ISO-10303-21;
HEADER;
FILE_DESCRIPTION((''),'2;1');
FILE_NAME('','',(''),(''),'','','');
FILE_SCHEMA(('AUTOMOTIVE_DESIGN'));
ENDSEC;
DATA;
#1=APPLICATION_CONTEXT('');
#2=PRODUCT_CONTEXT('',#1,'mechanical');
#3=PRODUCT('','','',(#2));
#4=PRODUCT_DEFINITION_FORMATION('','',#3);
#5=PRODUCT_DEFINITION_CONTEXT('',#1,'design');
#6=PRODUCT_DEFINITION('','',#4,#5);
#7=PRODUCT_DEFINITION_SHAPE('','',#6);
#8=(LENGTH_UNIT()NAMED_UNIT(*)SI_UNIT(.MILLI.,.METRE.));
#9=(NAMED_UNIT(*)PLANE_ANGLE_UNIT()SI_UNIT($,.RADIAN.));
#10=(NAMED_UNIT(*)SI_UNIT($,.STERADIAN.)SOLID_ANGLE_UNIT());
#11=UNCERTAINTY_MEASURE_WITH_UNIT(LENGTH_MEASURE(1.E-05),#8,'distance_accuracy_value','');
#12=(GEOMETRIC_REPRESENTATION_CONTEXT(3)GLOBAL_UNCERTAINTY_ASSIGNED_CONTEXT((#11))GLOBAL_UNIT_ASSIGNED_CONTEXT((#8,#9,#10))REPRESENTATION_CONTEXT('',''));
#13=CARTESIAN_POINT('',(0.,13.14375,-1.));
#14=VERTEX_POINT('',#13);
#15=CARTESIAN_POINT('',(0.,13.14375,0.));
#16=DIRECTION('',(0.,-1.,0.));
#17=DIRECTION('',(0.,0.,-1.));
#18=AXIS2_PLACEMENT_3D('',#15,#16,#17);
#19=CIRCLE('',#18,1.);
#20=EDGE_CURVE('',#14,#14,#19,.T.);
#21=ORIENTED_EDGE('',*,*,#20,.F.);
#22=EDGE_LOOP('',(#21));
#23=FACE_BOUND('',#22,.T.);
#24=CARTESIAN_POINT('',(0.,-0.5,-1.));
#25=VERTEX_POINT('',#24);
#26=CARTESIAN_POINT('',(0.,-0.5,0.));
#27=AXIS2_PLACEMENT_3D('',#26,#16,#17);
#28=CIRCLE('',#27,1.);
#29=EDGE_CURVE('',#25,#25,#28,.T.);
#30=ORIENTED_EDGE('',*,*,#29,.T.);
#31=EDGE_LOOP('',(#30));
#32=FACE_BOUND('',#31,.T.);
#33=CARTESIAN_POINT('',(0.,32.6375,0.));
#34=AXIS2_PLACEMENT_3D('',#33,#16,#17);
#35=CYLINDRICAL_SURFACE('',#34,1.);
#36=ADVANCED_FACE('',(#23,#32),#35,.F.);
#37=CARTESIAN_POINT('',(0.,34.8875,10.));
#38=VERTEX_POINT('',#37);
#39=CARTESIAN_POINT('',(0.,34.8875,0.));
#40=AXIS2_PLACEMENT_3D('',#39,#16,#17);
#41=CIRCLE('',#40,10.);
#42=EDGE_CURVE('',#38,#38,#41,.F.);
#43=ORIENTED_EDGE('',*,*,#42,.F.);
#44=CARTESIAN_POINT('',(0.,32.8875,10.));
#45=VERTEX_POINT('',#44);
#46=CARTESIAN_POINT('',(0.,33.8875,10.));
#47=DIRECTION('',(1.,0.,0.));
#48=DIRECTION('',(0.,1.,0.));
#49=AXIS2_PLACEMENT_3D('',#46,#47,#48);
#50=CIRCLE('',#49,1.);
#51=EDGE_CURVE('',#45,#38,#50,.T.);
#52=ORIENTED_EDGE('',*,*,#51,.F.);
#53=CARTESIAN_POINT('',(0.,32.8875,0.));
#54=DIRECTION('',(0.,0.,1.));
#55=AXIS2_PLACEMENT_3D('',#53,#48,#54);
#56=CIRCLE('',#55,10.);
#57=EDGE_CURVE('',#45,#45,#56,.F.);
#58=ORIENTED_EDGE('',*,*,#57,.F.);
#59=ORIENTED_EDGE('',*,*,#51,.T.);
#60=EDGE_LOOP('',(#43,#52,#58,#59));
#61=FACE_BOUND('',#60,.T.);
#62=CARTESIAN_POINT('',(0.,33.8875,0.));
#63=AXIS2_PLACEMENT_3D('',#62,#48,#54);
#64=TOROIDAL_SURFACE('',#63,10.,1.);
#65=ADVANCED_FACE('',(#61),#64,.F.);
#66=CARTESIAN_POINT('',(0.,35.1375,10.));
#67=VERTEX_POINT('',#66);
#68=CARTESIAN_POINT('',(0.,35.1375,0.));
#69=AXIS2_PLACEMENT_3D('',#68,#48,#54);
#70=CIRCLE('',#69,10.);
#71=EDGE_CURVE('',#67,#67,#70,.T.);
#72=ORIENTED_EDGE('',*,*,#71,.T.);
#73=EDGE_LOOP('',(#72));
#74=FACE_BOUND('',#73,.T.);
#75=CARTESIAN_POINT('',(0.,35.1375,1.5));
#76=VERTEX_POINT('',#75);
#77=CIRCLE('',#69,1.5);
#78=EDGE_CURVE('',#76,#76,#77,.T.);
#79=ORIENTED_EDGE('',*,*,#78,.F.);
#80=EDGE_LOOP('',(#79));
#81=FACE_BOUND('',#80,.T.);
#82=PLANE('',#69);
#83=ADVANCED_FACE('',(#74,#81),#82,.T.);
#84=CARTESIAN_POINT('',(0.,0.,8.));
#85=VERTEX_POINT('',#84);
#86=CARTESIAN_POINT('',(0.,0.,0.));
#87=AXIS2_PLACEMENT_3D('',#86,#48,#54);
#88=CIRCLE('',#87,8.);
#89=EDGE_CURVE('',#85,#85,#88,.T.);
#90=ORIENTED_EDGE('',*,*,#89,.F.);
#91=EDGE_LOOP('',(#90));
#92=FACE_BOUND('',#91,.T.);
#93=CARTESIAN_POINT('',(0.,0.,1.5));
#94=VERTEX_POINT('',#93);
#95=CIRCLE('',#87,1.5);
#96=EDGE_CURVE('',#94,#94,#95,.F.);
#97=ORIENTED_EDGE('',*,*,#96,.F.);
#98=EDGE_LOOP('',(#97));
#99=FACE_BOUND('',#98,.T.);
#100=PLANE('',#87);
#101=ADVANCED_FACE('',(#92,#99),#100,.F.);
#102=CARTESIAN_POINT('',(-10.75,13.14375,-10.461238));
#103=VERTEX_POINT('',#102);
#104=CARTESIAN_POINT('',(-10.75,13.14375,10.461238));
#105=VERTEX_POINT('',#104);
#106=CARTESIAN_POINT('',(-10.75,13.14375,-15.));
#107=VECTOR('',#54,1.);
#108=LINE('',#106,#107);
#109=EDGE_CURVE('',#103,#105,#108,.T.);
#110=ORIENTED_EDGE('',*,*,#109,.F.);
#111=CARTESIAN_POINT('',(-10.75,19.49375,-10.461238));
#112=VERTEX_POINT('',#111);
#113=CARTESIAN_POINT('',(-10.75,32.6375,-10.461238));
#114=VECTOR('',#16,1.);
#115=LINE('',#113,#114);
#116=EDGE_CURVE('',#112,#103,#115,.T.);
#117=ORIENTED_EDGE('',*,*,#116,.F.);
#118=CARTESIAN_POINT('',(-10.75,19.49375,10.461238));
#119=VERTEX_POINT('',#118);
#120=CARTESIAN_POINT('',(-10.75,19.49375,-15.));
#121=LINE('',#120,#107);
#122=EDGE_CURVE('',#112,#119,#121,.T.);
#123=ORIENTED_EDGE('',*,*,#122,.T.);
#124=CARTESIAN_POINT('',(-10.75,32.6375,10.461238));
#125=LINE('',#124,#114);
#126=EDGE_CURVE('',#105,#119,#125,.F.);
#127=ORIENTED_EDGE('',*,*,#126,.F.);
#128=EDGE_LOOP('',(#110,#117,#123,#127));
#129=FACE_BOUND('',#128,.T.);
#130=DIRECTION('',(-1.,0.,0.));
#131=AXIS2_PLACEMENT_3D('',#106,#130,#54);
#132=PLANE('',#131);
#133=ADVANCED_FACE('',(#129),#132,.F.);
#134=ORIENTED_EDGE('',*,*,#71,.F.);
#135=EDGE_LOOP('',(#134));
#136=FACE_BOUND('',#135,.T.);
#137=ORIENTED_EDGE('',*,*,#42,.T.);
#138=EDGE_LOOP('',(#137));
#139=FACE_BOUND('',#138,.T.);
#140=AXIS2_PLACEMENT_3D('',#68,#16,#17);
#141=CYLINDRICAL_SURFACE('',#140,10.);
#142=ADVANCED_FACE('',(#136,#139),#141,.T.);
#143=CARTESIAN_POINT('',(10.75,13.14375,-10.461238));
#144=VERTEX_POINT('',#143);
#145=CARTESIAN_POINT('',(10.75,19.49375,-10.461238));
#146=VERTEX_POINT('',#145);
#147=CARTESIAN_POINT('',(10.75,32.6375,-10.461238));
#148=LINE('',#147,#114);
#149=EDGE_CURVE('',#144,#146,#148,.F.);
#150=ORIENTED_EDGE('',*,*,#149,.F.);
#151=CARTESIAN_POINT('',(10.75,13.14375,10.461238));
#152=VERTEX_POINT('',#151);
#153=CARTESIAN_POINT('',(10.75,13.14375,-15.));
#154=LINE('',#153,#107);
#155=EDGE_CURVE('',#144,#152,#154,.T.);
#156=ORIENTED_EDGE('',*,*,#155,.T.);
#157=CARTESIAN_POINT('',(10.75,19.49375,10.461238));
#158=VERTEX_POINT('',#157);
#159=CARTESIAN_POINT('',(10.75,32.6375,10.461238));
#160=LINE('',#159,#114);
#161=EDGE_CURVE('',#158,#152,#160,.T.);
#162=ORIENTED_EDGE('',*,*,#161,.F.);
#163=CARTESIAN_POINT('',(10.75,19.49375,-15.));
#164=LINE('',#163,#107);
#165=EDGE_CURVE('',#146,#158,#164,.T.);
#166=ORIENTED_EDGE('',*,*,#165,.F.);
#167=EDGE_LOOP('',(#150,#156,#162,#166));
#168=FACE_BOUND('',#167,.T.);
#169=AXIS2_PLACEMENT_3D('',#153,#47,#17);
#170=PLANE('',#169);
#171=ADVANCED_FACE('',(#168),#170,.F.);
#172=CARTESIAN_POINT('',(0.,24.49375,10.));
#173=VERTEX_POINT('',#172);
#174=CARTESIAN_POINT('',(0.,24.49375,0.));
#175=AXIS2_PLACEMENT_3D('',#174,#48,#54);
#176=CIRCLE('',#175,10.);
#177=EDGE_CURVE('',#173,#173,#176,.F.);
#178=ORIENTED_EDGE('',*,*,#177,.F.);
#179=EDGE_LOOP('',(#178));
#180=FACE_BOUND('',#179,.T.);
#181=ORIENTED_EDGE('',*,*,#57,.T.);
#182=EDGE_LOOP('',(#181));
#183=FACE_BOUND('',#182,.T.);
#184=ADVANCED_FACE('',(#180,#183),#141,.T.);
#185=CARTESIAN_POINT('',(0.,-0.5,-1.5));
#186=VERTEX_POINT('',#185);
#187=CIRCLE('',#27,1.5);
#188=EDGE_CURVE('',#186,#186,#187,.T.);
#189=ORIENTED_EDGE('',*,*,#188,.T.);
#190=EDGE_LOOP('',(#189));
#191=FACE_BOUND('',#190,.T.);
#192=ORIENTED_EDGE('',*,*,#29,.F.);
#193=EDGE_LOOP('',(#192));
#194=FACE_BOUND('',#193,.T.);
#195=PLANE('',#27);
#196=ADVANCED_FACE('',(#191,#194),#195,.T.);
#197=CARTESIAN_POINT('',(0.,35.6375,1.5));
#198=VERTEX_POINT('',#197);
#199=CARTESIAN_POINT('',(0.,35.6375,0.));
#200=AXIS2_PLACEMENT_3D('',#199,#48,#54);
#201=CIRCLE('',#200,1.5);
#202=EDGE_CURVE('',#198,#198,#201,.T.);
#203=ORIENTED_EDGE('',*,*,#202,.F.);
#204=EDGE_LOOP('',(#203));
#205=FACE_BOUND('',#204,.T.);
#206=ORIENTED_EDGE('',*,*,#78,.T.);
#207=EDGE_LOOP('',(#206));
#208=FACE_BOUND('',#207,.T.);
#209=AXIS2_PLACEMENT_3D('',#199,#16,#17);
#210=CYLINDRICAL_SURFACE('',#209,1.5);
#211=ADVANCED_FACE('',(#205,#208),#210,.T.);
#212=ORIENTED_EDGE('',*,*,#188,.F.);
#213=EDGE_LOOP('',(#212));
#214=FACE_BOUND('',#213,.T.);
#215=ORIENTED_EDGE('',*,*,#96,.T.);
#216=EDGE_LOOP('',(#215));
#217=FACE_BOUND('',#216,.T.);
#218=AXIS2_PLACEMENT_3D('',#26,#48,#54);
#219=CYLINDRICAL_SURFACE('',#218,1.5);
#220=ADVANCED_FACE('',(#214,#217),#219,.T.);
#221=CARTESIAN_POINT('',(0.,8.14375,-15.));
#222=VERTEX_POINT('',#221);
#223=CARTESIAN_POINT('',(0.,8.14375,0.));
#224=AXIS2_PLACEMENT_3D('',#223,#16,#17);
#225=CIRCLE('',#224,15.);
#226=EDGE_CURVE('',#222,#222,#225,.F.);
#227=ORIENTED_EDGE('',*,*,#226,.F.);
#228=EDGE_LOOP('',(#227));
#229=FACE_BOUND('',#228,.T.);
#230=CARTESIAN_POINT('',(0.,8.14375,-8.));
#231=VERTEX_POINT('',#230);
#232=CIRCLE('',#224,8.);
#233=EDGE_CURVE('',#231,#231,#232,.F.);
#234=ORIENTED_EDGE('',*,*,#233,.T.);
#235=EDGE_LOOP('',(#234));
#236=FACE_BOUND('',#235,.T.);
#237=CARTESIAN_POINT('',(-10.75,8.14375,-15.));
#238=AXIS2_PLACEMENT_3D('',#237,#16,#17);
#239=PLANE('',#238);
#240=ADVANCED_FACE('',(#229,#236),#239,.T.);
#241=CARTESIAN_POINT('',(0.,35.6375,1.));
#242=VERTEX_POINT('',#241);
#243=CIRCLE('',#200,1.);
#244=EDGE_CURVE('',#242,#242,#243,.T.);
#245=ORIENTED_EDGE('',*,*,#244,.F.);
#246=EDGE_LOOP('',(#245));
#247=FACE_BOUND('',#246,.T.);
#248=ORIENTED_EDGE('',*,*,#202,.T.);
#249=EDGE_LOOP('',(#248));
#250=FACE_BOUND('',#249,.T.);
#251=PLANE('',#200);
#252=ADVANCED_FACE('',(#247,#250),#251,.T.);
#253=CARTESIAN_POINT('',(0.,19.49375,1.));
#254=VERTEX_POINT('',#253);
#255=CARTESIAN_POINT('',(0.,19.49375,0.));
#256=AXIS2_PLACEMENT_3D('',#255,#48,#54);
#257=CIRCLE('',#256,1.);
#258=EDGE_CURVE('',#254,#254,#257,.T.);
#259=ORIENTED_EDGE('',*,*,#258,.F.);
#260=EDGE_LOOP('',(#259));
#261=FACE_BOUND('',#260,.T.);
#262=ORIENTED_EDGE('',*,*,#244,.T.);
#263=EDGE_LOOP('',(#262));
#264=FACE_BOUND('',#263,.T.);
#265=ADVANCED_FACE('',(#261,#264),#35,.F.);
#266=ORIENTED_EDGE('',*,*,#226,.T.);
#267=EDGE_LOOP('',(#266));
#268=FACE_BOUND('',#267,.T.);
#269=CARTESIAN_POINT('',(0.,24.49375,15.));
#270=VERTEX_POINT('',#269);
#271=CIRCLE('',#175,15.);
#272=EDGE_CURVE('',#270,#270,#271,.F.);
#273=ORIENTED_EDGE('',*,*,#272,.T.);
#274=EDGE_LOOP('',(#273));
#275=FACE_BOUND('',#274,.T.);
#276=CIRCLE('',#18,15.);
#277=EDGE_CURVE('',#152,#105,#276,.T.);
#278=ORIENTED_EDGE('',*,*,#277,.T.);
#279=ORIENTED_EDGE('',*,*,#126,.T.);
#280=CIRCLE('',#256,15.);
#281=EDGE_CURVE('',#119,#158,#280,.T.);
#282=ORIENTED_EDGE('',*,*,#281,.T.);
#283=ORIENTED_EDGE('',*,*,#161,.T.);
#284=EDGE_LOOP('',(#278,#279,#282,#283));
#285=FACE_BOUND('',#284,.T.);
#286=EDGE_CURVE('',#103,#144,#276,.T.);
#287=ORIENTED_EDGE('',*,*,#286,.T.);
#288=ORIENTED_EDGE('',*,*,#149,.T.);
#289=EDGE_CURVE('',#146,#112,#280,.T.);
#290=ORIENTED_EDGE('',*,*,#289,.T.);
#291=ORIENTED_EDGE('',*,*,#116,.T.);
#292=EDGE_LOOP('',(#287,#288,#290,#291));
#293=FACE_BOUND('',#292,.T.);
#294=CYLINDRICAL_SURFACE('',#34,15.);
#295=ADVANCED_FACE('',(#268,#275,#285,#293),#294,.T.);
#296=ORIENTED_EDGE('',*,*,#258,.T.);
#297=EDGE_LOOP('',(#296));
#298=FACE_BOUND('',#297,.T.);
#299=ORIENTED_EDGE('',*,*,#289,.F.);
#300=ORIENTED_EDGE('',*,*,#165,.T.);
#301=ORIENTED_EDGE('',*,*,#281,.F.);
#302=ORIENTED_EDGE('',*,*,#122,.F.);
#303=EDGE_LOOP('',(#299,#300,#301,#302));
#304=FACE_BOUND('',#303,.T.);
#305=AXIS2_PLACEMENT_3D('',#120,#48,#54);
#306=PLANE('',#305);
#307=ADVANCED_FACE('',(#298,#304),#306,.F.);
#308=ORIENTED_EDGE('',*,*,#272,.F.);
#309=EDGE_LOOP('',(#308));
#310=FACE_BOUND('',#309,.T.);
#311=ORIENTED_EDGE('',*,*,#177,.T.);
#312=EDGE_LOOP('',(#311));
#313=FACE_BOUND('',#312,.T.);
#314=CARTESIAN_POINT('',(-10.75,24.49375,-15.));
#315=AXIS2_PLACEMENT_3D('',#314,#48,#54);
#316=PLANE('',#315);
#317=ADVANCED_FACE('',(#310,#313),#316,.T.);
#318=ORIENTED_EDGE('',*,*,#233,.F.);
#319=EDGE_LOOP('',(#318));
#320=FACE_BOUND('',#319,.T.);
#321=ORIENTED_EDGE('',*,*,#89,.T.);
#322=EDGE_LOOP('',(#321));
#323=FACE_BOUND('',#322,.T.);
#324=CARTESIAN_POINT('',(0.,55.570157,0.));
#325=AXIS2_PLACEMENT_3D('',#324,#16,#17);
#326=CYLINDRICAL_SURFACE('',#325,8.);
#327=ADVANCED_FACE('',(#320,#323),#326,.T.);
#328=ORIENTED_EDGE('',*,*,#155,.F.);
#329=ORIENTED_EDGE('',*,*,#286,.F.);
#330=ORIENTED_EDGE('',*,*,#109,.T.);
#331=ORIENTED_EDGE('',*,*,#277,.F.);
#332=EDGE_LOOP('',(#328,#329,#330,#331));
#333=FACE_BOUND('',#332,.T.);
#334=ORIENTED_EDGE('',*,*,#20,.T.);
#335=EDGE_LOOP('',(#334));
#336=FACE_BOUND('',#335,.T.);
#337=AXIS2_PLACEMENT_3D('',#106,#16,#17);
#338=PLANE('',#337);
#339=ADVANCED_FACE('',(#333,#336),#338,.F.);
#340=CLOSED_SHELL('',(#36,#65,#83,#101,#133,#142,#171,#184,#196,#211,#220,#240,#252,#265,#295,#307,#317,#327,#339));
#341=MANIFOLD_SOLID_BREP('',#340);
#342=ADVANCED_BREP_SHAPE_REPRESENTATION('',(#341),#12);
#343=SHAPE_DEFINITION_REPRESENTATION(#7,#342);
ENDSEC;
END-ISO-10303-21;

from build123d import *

# Parameters (mm, degrees)
SKETCH1_R               = 15
SKETCH1_R_2             = 1
BOSS_EXTRUDE1_DEPTH     = 32.6375
SKETCH2_W               = 21.5
SKETCH2_H               = 6.35
CUT_EXTRUDE1_DEPTH      = 16
CUT_EXTRUDE1_DEPTH_BACK = 16
SKETCH3_R               = 1.5
SKETCH3_R_2             = 1
BOSS_EXTRUDE2_DEPTH     = 0.5
SKETCH4_R               = 10
SKETCH4_R_2             = 1
BOSS_EXTRUDE3_DEPTH     = 2.5
CUT_SWEEP2_PROFILE_R    = 1
SKETCH82_R              = 1.5
SKETCH82_R_2            = 1
BOSS_EXTRUDE5_DEPTH     = 0.5
SKETCH91_R              = 15
SKETCH91_R_2            = 8
CUT_EXTRUDE2_DEPTH      = 1.5
CUT_EXTRUDE2_DEPTH_BACK = 8.14375
SKETCH92_R              = 15
SKETCH92_R_2            = 10
CUT_EXTRUDE3_DEPTH      = 8.14375


with BuildPart() as part:
    # Sketch1 → Boss-Extrude1 (new body)
    with BuildSketch(Plane(origin=(0, 0, 0), x_dir=(1, 0, 0), z_dir=(0, 1, 0))):
        Circle(SKETCH1_R)
        Circle(SKETCH1_R_2, mode=Mode.SUBTRACT)
    extrude(amount=BOSS_EXTRUDE1_DEPTH)

    # Sketch2 → Cut-Extrude1 (cut, two sides)
    with BuildSketch(Plane.XY) as cut_extrude1_sk:
        with Locations((0, 16.31875)):
            Rectangle(SKETCH2_W, SKETCH2_H)
    extrude(amount=CUT_EXTRUDE1_DEPTH, mode=Mode.SUBTRACT)
    extrude(cut_extrude1_sk.sketch, amount=-CUT_EXTRUDE1_DEPTH_BACK, mode=Mode.SUBTRACT)

    # Sketch3 → Boss-Extrude2 (add)
    with BuildSketch(Plane(origin=(0, 0, 0), x_dir=(-1, 0, 0), z_dir=(0, -1, 0))):
        Circle(SKETCH3_R)
        Circle(SKETCH3_R_2, mode=Mode.SUBTRACT)
    extrude(amount=BOSS_EXTRUDE2_DEPTH)

    # Sketch4 → Boss-Extrude3 (add)
    with BuildSketch(Plane(origin=(0, 32.6375, 0), x_dir=(1, 0, 0), z_dir=(0, 1, 0))):
        Circle(SKETCH4_R)
        Circle(SKETCH4_R_2, mode=Mode.SUBTRACT)
    extrude(amount=BOSS_EXTRUDE3_DEPTH)

    # Cut-Sweep2: sweep along a path in Sketch77
    with BuildLine(Plane(origin=(0, 33.8875, 0), x_dir=(1, 0, 0), z_dir=(0, 1, 0))) as cut_sweep2_path:
        CenterArc((0, 0), 10, 0, 360)
    # Cut-Sweep2 profile (on start of the path) → Cut-Sweep2 (sweep, cut)
    with BuildSketch(Plane(origin=(10, 33.8875, 0), x_dir=(-1, 0, 0), z_dir=(0, 0, -1))):
        Circle(CUT_SWEEP2_PROFILE_R)
    sweep(path=cut_sweep2_path.line, mode=Mode.SUBTRACT)

    # Sketch82 → Boss-Extrude5 (add)
    with BuildSketch(Plane(origin=(0, 35.1375, 0), x_dir=(1, 0, 0), z_dir=(0, 1, 0))):
        Circle(SKETCH82_R)
        Circle(SKETCH82_R_2, mode=Mode.SUBTRACT)
    extrude(amount=BOSS_EXTRUDE5_DEPTH)

    # Sketch91 → Cut-Extrude2 (cut, two sides)
    with BuildSketch(Plane.XZ) as cut_extrude2_sk:
        Circle(SKETCH91_R)
        Circle(SKETCH91_R_2, mode=Mode.SUBTRACT)
    extrude(amount=CUT_EXTRUDE2_DEPTH, mode=Mode.SUBTRACT)
    extrude(cut_extrude2_sk.sketch, amount=-CUT_EXTRUDE2_DEPTH_BACK, mode=Mode.SUBTRACT)

    # Sketch92 → Cut-Extrude3 (cut)
    with BuildSketch(Plane(origin=(0, 32.6375, 0), x_dir=(1, 0, 0), z_dir=(0, 1, 0))):
        Circle(SKETCH92_R)
        Circle(SKETCH92_R_2, mode=Mode.SUBTRACT)
    extrude(amount=-CUT_EXTRUDE3_DEPTH, mode=Mode.SUBTRACT)


solid = part.part
